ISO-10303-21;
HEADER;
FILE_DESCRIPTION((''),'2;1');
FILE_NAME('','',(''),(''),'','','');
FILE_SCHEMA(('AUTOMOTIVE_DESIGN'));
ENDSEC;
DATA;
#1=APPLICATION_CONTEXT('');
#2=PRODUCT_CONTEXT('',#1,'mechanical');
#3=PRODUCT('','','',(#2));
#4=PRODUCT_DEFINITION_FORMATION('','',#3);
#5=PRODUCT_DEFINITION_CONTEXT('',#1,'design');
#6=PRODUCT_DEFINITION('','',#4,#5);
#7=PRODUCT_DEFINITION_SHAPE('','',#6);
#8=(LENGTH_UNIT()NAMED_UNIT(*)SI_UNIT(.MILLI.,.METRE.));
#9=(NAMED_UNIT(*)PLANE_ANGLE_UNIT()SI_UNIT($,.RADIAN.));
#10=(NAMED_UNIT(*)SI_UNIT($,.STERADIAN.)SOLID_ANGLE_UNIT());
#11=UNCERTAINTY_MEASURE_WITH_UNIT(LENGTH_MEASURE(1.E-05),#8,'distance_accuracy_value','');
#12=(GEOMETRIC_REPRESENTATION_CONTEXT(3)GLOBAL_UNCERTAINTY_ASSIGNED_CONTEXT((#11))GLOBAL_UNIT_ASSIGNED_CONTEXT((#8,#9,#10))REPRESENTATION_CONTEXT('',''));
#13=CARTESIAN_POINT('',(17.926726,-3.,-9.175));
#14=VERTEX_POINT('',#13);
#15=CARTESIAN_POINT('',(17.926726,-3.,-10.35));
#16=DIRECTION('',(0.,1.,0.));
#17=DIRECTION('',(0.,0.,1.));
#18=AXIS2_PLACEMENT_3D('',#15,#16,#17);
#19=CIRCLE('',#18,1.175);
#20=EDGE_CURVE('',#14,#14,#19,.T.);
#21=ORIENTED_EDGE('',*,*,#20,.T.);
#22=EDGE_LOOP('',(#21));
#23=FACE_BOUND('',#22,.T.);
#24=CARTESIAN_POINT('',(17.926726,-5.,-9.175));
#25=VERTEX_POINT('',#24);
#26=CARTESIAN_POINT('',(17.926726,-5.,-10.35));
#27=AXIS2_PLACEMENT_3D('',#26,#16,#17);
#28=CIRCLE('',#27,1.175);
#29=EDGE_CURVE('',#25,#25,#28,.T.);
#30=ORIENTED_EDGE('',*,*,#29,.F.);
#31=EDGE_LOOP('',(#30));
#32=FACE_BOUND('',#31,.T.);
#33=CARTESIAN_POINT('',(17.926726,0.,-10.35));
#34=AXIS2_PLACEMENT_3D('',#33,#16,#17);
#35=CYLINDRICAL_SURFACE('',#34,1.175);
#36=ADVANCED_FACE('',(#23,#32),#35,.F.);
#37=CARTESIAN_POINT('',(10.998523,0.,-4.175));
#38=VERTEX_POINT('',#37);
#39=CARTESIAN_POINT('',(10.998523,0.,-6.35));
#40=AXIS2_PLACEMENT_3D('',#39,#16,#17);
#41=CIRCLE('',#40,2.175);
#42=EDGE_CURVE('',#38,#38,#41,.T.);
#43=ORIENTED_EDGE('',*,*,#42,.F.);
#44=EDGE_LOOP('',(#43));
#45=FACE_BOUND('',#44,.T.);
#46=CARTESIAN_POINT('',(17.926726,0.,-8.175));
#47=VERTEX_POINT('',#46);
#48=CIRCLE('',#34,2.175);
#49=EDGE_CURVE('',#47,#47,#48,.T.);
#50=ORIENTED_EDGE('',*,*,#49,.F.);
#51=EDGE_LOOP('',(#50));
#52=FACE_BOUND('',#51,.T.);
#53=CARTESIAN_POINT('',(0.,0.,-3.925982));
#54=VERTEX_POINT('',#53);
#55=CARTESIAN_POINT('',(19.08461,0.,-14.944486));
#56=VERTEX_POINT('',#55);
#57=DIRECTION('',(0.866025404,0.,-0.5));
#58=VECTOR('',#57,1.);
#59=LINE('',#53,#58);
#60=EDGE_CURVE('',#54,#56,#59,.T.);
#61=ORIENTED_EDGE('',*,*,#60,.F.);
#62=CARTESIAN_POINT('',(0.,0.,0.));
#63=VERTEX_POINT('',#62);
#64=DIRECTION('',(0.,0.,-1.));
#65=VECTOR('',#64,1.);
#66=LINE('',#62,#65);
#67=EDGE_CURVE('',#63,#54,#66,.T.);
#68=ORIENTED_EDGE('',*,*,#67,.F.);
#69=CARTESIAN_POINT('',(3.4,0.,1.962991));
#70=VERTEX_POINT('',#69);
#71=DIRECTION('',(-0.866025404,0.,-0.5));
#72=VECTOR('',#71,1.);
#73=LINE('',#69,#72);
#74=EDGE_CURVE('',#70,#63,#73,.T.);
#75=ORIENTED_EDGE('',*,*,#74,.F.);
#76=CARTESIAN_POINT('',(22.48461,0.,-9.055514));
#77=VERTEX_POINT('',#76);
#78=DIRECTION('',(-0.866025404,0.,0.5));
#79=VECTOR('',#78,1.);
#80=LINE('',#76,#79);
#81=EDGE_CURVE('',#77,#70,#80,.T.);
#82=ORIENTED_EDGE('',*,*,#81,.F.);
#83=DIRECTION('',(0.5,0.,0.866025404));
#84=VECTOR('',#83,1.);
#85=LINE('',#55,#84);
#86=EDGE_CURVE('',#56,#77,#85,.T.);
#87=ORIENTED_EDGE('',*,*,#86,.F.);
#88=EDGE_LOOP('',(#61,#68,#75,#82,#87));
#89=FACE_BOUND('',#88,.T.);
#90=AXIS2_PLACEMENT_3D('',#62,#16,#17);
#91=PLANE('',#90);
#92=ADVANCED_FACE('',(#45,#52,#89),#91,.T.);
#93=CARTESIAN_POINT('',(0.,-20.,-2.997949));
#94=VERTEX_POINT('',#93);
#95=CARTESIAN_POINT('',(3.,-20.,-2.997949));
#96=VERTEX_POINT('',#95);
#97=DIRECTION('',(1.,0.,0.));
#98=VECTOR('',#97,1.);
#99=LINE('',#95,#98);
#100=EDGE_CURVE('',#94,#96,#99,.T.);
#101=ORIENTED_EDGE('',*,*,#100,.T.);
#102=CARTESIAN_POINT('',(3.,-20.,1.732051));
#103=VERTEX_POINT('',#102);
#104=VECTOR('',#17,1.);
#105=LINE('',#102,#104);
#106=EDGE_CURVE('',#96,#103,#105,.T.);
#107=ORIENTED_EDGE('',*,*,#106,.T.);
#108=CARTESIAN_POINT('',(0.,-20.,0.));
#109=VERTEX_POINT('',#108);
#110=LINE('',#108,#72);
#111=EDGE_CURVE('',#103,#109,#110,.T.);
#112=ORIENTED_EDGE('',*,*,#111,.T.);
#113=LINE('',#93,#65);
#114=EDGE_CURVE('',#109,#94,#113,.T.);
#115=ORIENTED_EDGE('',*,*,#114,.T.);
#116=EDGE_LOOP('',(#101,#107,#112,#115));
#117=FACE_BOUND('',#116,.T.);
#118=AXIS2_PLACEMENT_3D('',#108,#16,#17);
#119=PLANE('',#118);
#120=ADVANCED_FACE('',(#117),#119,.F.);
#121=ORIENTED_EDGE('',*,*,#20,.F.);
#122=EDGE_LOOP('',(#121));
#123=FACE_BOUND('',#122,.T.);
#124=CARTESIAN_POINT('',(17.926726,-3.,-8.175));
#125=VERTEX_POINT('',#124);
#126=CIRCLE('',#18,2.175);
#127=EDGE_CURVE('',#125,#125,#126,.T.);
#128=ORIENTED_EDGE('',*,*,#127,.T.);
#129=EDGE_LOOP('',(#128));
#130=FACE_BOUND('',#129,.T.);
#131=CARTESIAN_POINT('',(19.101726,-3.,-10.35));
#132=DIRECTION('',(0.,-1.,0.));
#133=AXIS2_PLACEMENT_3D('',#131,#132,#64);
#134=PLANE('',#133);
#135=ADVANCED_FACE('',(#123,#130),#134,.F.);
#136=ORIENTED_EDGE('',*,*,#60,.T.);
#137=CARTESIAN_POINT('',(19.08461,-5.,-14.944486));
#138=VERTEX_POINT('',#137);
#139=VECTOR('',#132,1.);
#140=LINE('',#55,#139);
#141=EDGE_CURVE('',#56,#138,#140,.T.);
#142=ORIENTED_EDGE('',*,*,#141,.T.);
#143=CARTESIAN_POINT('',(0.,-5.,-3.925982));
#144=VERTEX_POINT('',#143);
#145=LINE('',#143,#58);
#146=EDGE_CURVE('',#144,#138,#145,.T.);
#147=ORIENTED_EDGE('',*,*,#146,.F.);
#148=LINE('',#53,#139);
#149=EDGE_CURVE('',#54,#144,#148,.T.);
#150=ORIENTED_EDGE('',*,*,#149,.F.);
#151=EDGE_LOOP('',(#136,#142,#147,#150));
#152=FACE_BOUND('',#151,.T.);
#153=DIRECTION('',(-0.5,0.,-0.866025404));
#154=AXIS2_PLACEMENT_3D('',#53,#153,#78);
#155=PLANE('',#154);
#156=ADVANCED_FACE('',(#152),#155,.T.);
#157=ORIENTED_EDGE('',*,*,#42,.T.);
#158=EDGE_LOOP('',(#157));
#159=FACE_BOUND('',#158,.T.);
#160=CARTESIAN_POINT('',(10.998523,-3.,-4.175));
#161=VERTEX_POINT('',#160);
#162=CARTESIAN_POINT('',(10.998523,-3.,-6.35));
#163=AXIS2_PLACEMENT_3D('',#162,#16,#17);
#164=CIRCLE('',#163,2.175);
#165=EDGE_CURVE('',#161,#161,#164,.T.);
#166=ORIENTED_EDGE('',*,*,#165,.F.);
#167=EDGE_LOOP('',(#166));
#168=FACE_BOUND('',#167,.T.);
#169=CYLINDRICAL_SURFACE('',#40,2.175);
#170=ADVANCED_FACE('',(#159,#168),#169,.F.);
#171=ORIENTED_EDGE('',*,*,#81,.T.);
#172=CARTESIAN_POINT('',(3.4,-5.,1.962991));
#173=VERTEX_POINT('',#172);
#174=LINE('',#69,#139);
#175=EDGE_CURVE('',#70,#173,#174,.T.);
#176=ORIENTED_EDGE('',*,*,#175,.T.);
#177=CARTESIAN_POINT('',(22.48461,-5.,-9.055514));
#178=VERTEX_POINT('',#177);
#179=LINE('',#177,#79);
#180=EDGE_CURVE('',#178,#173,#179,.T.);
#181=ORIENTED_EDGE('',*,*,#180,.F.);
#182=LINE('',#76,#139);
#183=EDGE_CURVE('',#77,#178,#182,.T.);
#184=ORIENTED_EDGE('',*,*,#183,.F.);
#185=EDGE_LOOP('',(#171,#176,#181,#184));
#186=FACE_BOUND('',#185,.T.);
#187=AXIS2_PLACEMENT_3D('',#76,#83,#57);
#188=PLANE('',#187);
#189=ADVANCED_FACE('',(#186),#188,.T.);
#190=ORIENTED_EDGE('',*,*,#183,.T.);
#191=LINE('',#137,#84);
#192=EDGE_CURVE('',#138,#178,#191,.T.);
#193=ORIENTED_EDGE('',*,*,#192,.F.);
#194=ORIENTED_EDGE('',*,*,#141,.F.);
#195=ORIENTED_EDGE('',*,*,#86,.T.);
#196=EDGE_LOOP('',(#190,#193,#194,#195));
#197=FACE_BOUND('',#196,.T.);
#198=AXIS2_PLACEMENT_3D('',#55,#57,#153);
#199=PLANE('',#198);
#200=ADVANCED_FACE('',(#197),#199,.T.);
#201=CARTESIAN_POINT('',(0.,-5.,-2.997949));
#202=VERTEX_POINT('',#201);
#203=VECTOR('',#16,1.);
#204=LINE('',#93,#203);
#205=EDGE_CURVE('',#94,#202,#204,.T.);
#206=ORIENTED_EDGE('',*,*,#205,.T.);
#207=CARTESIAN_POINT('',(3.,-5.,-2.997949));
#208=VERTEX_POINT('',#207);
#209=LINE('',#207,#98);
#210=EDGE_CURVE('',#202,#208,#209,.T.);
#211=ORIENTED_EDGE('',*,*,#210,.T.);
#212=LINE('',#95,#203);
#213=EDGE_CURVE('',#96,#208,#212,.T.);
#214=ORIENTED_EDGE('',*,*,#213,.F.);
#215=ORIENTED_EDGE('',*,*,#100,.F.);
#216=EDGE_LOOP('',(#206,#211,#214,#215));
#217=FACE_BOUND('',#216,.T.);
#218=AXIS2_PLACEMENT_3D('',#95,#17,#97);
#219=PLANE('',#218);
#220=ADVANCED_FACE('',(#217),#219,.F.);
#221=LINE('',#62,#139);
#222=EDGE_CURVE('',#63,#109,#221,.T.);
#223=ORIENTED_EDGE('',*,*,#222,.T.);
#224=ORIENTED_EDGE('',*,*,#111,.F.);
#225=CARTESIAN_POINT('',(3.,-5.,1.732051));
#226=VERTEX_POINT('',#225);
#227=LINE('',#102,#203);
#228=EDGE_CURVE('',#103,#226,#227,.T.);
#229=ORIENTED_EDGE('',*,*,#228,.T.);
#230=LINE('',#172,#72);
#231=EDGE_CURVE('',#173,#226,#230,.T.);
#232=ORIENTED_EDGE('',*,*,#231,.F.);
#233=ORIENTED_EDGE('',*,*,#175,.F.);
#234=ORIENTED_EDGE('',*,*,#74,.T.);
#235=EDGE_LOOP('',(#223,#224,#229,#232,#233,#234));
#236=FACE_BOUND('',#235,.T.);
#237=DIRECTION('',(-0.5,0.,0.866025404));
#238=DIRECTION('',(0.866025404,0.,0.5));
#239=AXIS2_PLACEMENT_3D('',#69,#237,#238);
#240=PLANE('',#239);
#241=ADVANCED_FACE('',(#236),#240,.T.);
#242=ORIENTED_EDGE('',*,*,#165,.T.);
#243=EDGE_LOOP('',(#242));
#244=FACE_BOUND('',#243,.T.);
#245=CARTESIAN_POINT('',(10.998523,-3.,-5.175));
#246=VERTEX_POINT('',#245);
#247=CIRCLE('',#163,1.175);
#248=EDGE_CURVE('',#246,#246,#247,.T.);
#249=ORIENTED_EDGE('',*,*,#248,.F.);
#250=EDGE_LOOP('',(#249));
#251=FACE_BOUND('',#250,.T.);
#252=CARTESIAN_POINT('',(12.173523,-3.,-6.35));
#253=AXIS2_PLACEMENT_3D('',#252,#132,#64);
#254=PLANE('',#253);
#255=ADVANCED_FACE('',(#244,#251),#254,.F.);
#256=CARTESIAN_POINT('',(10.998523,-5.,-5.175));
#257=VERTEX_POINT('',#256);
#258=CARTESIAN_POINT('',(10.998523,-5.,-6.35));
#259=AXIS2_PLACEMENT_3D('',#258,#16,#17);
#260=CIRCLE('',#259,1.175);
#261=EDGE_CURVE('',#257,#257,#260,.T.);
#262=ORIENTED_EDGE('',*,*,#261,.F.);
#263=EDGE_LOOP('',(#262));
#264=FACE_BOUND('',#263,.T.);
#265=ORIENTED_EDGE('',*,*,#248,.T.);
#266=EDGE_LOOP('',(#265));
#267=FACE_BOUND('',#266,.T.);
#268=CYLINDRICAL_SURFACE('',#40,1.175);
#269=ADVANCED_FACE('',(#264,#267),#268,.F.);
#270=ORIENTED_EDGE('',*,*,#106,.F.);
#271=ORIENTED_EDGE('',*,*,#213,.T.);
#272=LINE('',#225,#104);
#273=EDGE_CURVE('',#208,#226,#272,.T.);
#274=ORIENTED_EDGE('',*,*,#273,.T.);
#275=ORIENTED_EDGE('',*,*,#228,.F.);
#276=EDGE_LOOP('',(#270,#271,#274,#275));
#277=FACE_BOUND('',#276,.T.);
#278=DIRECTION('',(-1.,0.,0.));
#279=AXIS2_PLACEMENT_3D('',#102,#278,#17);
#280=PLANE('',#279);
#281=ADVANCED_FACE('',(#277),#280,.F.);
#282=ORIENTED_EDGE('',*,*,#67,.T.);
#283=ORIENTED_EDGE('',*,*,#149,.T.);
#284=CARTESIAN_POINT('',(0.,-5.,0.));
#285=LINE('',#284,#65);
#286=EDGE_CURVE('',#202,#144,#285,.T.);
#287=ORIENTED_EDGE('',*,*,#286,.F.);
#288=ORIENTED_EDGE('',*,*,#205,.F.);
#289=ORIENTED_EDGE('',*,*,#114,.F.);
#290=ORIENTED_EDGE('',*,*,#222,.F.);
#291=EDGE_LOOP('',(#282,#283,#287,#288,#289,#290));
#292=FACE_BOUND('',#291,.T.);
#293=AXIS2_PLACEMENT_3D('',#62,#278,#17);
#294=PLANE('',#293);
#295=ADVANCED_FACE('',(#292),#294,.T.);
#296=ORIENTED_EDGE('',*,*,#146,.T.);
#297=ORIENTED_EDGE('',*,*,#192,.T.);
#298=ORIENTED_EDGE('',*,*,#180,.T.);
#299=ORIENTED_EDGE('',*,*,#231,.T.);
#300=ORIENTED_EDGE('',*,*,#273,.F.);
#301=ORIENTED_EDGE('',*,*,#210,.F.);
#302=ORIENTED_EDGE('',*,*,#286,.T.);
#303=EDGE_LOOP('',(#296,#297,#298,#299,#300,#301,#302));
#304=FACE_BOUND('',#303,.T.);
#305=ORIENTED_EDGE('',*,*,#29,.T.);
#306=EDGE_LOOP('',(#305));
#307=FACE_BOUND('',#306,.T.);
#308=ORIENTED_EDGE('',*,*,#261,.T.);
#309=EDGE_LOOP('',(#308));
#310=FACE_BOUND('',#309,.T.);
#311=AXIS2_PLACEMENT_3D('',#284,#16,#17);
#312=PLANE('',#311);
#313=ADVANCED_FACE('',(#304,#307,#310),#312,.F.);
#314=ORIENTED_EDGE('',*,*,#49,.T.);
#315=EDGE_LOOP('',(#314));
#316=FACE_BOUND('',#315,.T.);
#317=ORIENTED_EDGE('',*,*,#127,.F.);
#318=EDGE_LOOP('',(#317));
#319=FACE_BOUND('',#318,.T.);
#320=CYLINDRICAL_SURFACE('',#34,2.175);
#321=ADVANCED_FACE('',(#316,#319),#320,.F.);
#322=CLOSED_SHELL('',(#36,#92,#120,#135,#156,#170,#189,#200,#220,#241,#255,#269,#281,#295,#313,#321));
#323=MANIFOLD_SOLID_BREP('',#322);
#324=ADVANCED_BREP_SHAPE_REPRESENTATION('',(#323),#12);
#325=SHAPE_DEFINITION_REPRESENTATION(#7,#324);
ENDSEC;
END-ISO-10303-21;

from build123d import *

# Parameters (mm, degrees)
EXTRUDE_1_DEPTH              = 5
EXTRUDE_2_DEPTH              = 15
HOLE_WIZARD_M2_1_D           = 2.35
HOLE_WIZARD_M2_1_DEPTH       = 20
HOLE_WIZARD_M2_1_CBORE_D     = 4.35
HOLE_WIZARD_M2_1_CBORE_DEPTH = 3


with BuildPart() as part:
    # 草圖1 → 填料-伸長1 (new body)
    with BuildSketch(Plane.XZ.offset(5)):
        Polygon((3.4, 1.962990915), (0, 0), (0, -3.92598183), (19.084609691, -14.944486373), (22.484609691, -9.055513627), align=None)
    extrude(amount=-EXTRUDE_1_DEPTH)

    # 草圖2 → 填料-伸長2 (add)
    with BuildSketch(Plane.XZ.offset(5)):
        Polygon((3, 1.732050808), (3, -2.997949192), (0, -2.997949192), (0, 0), align=None)
    extrude(amount=EXTRUDE_2_DEPTH)

    # M2 六角頭機械螺釘的柱孔1
    with Locations(Plane(origin=(0, 0, 0), x_dir=(1, 0, 0), z_dir=(0, 1, 0))):
        with Locations((17.926725858, 10.35), (10.998522628, 6.35)):
            CounterBoreHole(HOLE_WIZARD_M2_1_D / 2, HOLE_WIZARD_M2_1_CBORE_D / 2, HOLE_WIZARD_M2_1_CBORE_DEPTH, depth=HOLE_WIZARD_M2_1_DEPTH)


solid = part.part
